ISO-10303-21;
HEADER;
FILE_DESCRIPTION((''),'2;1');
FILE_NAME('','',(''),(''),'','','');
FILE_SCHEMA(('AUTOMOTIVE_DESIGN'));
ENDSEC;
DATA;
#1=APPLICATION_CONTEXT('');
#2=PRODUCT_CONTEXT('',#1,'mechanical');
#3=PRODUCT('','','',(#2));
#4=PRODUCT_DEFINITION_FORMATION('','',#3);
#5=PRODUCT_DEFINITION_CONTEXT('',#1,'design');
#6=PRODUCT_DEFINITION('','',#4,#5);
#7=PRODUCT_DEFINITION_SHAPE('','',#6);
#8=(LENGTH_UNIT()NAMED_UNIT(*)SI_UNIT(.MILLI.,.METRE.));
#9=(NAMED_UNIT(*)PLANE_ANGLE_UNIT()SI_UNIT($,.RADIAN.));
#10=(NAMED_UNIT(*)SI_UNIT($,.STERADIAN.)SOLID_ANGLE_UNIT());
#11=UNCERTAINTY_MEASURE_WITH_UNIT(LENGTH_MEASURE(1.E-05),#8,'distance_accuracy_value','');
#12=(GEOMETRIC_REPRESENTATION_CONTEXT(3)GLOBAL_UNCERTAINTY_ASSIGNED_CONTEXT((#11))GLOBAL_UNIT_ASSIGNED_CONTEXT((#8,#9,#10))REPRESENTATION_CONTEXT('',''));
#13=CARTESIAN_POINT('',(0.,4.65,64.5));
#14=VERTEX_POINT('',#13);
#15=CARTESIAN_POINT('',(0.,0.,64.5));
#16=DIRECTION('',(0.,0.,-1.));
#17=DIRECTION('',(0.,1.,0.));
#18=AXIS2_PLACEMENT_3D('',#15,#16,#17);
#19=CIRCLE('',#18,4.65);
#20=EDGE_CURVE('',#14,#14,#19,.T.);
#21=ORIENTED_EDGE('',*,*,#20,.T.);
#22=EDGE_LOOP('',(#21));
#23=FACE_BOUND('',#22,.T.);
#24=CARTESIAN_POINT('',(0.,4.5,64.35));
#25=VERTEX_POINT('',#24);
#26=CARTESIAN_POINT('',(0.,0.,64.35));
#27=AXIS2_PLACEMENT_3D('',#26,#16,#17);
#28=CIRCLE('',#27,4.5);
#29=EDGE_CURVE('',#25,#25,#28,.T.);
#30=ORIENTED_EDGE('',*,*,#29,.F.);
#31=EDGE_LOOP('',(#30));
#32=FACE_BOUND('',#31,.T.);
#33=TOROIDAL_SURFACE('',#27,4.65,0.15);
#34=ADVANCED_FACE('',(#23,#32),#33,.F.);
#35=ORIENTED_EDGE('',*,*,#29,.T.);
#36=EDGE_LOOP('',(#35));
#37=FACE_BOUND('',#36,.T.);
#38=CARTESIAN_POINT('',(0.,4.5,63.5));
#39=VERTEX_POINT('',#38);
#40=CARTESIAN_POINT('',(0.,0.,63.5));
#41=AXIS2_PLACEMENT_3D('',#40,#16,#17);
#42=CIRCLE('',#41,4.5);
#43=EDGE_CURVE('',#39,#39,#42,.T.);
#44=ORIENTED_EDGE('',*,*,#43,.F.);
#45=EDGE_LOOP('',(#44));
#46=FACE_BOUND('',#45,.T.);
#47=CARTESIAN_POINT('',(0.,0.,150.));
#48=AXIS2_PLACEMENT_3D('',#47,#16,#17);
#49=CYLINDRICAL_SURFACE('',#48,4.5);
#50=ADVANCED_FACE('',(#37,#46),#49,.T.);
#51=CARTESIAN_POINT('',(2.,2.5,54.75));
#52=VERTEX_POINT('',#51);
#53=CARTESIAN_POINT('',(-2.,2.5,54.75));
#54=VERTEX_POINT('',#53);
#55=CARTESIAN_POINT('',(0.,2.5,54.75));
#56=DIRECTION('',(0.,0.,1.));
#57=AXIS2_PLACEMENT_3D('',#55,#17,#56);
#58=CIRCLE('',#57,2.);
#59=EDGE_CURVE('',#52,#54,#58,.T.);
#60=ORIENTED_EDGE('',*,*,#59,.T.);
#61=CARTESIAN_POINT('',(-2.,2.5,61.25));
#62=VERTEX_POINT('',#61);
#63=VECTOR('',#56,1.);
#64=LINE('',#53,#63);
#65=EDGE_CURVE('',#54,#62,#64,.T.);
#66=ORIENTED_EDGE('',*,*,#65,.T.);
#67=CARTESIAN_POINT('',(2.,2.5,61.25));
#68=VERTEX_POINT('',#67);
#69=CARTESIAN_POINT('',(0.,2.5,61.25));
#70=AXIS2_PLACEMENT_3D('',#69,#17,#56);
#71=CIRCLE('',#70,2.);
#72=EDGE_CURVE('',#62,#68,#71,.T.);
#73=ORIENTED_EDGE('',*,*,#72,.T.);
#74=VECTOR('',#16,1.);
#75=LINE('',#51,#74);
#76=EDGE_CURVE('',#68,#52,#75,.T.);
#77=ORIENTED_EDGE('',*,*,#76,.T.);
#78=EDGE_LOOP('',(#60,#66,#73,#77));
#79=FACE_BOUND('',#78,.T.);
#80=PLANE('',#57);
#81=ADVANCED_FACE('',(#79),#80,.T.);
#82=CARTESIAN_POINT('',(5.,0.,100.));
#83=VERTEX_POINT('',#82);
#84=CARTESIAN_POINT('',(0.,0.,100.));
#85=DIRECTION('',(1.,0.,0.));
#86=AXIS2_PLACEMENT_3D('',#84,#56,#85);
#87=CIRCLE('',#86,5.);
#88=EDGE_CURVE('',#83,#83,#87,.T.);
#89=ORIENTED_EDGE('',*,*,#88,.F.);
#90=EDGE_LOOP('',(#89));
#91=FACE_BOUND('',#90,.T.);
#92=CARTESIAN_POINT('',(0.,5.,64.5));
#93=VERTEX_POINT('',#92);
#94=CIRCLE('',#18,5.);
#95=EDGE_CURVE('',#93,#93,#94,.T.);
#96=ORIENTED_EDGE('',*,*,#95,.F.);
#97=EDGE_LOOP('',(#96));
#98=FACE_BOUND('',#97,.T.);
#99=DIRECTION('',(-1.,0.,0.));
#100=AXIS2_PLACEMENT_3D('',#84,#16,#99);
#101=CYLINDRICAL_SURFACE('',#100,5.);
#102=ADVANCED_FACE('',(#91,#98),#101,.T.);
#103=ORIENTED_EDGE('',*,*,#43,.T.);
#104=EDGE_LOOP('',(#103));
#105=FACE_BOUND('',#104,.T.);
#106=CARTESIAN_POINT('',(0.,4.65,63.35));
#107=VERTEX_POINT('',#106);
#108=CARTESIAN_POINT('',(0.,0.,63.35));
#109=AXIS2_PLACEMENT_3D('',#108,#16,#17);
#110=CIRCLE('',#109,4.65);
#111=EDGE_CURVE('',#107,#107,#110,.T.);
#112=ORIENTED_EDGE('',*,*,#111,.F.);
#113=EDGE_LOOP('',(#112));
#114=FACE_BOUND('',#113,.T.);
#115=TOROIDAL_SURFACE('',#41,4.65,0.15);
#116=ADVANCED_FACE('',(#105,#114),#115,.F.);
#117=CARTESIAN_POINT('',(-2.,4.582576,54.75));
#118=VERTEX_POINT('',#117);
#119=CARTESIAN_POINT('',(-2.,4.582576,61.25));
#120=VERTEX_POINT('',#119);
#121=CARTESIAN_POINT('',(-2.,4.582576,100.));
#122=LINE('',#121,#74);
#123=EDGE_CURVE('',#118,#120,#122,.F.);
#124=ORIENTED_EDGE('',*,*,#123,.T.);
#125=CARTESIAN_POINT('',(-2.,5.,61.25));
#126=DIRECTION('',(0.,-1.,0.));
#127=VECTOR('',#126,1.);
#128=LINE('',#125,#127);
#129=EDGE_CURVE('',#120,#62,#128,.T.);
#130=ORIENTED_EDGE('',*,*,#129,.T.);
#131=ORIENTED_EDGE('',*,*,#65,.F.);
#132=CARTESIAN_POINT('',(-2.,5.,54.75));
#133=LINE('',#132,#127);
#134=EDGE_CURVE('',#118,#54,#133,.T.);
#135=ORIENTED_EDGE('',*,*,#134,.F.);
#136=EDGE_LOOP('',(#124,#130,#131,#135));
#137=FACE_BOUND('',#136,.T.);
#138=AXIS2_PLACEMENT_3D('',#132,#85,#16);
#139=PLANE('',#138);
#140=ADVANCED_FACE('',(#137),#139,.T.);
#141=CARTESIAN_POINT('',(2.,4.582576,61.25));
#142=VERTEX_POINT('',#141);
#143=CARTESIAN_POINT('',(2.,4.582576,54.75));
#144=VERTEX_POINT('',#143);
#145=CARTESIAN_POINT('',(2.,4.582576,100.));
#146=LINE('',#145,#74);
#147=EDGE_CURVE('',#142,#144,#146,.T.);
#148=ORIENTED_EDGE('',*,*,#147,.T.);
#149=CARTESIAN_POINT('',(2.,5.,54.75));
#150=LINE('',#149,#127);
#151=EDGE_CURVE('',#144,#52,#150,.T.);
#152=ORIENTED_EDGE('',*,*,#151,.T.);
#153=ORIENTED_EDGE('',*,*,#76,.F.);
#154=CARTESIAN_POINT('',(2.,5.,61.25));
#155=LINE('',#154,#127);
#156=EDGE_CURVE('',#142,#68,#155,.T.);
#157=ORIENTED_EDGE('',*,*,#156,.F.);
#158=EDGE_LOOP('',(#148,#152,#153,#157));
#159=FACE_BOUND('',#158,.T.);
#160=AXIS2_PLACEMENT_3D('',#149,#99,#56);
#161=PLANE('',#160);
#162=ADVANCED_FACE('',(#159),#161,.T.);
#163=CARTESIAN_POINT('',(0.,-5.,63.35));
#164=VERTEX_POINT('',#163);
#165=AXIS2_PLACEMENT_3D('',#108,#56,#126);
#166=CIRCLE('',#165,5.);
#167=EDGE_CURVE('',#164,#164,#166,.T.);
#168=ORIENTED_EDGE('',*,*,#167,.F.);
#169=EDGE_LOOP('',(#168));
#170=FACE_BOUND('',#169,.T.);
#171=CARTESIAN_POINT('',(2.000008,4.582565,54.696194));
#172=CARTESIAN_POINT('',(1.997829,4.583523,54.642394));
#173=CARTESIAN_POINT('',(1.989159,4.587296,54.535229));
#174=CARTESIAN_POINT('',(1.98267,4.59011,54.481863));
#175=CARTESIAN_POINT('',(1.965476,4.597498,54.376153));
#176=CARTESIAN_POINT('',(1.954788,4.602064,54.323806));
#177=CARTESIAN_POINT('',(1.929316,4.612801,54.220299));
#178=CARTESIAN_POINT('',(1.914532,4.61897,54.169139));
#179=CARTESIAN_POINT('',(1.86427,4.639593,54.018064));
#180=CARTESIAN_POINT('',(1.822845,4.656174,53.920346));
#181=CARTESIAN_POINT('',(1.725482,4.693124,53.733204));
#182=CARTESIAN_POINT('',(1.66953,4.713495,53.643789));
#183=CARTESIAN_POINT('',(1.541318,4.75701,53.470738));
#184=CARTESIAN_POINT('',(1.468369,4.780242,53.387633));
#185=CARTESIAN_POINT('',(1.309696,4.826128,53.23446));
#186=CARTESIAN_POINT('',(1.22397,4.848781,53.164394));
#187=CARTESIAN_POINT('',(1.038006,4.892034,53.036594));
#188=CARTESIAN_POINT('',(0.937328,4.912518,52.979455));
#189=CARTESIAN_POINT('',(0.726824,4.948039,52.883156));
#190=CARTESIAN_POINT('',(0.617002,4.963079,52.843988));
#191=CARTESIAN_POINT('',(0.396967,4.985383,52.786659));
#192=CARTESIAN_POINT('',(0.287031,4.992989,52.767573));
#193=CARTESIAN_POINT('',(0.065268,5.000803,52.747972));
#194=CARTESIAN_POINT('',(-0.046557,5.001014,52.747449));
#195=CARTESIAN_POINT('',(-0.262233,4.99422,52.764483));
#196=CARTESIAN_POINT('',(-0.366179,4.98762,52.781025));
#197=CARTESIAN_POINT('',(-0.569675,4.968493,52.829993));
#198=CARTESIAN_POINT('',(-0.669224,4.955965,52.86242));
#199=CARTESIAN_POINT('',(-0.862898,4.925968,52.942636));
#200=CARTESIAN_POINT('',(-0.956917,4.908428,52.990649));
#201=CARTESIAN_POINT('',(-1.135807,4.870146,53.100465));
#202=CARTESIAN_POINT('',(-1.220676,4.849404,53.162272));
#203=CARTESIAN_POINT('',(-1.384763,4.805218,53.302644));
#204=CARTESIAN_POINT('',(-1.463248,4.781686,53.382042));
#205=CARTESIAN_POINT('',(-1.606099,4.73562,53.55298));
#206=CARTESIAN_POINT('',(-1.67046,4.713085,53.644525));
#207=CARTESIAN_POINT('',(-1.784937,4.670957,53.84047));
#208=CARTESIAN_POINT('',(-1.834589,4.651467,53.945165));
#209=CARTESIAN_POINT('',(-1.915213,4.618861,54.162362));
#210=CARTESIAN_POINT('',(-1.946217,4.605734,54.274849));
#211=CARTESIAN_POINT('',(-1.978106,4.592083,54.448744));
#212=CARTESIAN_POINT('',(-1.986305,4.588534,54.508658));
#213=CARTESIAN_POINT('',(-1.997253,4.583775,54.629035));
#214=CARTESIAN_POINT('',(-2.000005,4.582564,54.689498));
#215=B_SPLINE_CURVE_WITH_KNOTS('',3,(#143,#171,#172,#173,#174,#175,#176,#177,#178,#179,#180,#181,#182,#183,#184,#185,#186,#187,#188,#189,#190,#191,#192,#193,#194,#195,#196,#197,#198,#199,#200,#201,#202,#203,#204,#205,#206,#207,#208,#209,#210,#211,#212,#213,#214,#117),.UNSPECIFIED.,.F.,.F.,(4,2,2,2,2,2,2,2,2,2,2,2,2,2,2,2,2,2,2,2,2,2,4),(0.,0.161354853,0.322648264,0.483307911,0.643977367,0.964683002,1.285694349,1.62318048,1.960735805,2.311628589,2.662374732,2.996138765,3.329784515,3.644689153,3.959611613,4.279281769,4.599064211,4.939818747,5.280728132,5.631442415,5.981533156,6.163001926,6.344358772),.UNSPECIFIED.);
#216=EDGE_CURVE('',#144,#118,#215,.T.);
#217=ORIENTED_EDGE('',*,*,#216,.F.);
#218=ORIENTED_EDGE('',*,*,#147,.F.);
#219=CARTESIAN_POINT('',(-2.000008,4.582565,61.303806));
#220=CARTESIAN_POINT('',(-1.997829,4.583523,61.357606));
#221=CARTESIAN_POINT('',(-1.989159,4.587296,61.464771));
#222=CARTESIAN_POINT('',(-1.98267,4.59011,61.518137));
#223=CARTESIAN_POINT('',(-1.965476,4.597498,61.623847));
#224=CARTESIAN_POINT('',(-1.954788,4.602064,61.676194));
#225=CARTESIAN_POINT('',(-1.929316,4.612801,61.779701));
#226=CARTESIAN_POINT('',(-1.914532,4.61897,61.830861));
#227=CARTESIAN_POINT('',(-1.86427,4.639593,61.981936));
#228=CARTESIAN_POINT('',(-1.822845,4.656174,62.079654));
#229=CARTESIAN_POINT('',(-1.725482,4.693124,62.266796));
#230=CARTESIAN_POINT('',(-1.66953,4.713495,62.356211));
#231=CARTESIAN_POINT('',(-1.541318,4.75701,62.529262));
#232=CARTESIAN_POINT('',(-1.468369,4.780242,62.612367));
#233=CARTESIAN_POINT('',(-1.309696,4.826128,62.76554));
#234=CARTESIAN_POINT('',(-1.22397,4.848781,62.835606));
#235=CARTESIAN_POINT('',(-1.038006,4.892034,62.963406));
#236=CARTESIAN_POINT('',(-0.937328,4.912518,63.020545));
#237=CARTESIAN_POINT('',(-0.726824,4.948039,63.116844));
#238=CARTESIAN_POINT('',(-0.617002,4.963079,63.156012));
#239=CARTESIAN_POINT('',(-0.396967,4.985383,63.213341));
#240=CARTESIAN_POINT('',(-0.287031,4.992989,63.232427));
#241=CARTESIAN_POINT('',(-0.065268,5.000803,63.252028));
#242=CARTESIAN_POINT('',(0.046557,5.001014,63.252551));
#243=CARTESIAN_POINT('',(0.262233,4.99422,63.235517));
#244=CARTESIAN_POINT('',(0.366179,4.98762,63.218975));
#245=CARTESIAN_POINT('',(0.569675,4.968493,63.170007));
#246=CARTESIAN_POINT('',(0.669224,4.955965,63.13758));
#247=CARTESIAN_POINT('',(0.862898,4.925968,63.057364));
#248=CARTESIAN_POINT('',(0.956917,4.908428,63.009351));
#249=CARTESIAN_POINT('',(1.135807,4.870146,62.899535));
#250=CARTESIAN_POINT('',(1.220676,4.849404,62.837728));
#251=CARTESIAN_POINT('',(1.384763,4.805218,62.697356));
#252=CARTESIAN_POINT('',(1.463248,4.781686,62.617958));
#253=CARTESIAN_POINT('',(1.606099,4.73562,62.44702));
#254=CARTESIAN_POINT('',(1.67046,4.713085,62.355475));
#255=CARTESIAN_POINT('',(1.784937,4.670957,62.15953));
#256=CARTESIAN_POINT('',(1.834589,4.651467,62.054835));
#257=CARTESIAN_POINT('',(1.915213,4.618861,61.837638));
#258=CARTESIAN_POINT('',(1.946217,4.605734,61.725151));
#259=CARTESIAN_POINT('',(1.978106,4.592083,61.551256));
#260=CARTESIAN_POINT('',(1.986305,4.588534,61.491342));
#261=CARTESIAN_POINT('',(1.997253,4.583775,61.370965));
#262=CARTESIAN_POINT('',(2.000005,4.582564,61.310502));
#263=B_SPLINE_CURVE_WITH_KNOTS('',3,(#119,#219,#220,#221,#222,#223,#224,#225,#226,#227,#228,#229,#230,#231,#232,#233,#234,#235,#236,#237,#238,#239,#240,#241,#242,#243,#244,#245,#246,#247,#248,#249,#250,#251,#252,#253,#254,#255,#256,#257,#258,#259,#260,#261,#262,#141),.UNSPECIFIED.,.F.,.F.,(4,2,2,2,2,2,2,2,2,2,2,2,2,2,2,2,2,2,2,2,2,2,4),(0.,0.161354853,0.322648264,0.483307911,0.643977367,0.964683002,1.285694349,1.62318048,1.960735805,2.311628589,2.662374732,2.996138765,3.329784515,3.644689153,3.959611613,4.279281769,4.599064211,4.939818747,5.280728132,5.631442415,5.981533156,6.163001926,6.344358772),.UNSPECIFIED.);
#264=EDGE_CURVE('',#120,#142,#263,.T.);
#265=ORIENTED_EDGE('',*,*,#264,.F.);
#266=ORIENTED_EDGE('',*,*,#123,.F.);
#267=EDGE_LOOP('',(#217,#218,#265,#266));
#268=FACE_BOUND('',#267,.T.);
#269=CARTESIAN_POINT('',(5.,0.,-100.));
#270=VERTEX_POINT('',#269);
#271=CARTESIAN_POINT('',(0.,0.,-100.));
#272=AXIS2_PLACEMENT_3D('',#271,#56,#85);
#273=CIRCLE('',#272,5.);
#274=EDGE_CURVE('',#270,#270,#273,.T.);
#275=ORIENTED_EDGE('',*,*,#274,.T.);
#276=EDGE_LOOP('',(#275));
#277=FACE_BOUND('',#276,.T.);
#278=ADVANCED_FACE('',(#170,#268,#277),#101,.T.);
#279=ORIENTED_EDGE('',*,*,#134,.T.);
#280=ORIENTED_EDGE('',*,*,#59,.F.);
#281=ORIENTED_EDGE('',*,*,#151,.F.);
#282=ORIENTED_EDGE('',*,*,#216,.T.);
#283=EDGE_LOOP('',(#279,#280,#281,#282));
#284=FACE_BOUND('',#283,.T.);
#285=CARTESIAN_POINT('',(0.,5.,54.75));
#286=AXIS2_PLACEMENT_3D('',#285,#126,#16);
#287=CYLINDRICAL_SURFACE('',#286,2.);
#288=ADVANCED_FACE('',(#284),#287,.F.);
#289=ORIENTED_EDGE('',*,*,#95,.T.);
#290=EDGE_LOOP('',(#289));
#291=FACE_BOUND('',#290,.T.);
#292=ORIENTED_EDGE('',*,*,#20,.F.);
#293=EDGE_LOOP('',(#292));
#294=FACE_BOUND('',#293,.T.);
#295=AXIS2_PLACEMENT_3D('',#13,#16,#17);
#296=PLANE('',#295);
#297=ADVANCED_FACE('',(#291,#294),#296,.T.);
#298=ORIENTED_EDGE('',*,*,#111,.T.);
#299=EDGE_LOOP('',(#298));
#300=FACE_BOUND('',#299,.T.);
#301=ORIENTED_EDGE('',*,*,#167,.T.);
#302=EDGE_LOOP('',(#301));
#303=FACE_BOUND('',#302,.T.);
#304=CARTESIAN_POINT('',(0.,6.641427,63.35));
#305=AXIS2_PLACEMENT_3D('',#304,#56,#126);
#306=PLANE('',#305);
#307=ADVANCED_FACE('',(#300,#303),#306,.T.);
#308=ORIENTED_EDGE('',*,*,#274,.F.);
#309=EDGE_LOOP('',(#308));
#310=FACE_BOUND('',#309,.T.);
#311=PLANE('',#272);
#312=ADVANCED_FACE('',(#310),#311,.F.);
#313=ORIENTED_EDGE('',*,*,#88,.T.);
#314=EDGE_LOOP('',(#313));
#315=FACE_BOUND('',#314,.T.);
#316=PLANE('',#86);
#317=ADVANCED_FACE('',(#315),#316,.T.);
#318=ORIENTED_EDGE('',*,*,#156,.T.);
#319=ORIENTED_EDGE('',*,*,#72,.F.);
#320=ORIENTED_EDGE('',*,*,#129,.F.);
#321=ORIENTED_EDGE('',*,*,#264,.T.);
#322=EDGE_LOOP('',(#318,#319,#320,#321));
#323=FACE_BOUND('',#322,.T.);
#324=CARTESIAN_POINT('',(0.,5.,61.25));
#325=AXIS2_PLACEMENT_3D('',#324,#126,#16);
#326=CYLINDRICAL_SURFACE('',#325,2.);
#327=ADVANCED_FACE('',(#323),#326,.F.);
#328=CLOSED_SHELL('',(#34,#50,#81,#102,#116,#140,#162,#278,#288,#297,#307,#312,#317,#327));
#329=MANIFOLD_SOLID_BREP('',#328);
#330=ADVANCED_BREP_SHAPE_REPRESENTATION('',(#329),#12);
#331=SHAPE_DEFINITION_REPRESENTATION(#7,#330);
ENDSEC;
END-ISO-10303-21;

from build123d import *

# Parameters (mm, degrees)
CROQUIS1_R              = 5
SALIENTE_EXTRUIR1_DEPTH = 100
CORTAR_EXTRUIR1_START   = 2.5
CORTAR_EXTRUIR1_DEPTH   = 98.749688279


with BuildPart() as part:
    # Croquis1 → Saliente-Extruir1 (new, symmetric)
    with BuildSketch(Plane.XY):
        Circle(CROQUIS1_R)
    extrude(amount=SALIENTE_EXTRUIR1_DEPTH, both=True)

    # Croquis2 → Cortar-Extruir1 (cut, through all)
    with BuildSketch(Plane(origin=(0, 0, 0), x_dir=(1, 0, 0), z_dir=(0, 1, 0)).offset(CORTAR_EXTRUIR1_START)):
        with BuildLine():
            Line((2, -54.75), (2, -61.25))
            ThreePointArc((2, -61.25), (0, -63.25), (-2, -61.25))
            Line((-2, -61.25), (-2, -54.75))
            ThreePointArc((-2, -54.75), (0, -52.75), (2, -54.75))
        make_face()
    extrude(amount=CORTAR_EXTRUIR1_DEPTH, mode=Mode.SUBTRACT)

    # Croquis4 → Ranura para arandela de seguridad para ejes DIN 6799 - 91 (revolve, cut)
    with BuildSketch(Plane(origin=(0, 0, 100), x_dir=(0, 1, 0), z_dir=(-1, 0, 0))):
        with BuildLine():
            Line((4.65, 35.5), (6.641427447, 35.5))
            Line((6.641427447, 35.5), (6.641427447, 36.65))
            Line((6.641427447, 36.65), (4.65, 36.65))
            ThreePointArc((4.65, 36.65), (4.543933983, 36.606066017), (4.5, 36.5))
            Line((4.5, 36.5), (4.5, 35.65))
            ThreePointArc((4.5, 35.65), (4.543933983, 35.543933983), (4.65, 35.5))
        make_face()
    revolve(axis=Axis((0, 0, 150), (0, 0, -1)), mode=Mode.SUBTRACT)


solid = part.part
